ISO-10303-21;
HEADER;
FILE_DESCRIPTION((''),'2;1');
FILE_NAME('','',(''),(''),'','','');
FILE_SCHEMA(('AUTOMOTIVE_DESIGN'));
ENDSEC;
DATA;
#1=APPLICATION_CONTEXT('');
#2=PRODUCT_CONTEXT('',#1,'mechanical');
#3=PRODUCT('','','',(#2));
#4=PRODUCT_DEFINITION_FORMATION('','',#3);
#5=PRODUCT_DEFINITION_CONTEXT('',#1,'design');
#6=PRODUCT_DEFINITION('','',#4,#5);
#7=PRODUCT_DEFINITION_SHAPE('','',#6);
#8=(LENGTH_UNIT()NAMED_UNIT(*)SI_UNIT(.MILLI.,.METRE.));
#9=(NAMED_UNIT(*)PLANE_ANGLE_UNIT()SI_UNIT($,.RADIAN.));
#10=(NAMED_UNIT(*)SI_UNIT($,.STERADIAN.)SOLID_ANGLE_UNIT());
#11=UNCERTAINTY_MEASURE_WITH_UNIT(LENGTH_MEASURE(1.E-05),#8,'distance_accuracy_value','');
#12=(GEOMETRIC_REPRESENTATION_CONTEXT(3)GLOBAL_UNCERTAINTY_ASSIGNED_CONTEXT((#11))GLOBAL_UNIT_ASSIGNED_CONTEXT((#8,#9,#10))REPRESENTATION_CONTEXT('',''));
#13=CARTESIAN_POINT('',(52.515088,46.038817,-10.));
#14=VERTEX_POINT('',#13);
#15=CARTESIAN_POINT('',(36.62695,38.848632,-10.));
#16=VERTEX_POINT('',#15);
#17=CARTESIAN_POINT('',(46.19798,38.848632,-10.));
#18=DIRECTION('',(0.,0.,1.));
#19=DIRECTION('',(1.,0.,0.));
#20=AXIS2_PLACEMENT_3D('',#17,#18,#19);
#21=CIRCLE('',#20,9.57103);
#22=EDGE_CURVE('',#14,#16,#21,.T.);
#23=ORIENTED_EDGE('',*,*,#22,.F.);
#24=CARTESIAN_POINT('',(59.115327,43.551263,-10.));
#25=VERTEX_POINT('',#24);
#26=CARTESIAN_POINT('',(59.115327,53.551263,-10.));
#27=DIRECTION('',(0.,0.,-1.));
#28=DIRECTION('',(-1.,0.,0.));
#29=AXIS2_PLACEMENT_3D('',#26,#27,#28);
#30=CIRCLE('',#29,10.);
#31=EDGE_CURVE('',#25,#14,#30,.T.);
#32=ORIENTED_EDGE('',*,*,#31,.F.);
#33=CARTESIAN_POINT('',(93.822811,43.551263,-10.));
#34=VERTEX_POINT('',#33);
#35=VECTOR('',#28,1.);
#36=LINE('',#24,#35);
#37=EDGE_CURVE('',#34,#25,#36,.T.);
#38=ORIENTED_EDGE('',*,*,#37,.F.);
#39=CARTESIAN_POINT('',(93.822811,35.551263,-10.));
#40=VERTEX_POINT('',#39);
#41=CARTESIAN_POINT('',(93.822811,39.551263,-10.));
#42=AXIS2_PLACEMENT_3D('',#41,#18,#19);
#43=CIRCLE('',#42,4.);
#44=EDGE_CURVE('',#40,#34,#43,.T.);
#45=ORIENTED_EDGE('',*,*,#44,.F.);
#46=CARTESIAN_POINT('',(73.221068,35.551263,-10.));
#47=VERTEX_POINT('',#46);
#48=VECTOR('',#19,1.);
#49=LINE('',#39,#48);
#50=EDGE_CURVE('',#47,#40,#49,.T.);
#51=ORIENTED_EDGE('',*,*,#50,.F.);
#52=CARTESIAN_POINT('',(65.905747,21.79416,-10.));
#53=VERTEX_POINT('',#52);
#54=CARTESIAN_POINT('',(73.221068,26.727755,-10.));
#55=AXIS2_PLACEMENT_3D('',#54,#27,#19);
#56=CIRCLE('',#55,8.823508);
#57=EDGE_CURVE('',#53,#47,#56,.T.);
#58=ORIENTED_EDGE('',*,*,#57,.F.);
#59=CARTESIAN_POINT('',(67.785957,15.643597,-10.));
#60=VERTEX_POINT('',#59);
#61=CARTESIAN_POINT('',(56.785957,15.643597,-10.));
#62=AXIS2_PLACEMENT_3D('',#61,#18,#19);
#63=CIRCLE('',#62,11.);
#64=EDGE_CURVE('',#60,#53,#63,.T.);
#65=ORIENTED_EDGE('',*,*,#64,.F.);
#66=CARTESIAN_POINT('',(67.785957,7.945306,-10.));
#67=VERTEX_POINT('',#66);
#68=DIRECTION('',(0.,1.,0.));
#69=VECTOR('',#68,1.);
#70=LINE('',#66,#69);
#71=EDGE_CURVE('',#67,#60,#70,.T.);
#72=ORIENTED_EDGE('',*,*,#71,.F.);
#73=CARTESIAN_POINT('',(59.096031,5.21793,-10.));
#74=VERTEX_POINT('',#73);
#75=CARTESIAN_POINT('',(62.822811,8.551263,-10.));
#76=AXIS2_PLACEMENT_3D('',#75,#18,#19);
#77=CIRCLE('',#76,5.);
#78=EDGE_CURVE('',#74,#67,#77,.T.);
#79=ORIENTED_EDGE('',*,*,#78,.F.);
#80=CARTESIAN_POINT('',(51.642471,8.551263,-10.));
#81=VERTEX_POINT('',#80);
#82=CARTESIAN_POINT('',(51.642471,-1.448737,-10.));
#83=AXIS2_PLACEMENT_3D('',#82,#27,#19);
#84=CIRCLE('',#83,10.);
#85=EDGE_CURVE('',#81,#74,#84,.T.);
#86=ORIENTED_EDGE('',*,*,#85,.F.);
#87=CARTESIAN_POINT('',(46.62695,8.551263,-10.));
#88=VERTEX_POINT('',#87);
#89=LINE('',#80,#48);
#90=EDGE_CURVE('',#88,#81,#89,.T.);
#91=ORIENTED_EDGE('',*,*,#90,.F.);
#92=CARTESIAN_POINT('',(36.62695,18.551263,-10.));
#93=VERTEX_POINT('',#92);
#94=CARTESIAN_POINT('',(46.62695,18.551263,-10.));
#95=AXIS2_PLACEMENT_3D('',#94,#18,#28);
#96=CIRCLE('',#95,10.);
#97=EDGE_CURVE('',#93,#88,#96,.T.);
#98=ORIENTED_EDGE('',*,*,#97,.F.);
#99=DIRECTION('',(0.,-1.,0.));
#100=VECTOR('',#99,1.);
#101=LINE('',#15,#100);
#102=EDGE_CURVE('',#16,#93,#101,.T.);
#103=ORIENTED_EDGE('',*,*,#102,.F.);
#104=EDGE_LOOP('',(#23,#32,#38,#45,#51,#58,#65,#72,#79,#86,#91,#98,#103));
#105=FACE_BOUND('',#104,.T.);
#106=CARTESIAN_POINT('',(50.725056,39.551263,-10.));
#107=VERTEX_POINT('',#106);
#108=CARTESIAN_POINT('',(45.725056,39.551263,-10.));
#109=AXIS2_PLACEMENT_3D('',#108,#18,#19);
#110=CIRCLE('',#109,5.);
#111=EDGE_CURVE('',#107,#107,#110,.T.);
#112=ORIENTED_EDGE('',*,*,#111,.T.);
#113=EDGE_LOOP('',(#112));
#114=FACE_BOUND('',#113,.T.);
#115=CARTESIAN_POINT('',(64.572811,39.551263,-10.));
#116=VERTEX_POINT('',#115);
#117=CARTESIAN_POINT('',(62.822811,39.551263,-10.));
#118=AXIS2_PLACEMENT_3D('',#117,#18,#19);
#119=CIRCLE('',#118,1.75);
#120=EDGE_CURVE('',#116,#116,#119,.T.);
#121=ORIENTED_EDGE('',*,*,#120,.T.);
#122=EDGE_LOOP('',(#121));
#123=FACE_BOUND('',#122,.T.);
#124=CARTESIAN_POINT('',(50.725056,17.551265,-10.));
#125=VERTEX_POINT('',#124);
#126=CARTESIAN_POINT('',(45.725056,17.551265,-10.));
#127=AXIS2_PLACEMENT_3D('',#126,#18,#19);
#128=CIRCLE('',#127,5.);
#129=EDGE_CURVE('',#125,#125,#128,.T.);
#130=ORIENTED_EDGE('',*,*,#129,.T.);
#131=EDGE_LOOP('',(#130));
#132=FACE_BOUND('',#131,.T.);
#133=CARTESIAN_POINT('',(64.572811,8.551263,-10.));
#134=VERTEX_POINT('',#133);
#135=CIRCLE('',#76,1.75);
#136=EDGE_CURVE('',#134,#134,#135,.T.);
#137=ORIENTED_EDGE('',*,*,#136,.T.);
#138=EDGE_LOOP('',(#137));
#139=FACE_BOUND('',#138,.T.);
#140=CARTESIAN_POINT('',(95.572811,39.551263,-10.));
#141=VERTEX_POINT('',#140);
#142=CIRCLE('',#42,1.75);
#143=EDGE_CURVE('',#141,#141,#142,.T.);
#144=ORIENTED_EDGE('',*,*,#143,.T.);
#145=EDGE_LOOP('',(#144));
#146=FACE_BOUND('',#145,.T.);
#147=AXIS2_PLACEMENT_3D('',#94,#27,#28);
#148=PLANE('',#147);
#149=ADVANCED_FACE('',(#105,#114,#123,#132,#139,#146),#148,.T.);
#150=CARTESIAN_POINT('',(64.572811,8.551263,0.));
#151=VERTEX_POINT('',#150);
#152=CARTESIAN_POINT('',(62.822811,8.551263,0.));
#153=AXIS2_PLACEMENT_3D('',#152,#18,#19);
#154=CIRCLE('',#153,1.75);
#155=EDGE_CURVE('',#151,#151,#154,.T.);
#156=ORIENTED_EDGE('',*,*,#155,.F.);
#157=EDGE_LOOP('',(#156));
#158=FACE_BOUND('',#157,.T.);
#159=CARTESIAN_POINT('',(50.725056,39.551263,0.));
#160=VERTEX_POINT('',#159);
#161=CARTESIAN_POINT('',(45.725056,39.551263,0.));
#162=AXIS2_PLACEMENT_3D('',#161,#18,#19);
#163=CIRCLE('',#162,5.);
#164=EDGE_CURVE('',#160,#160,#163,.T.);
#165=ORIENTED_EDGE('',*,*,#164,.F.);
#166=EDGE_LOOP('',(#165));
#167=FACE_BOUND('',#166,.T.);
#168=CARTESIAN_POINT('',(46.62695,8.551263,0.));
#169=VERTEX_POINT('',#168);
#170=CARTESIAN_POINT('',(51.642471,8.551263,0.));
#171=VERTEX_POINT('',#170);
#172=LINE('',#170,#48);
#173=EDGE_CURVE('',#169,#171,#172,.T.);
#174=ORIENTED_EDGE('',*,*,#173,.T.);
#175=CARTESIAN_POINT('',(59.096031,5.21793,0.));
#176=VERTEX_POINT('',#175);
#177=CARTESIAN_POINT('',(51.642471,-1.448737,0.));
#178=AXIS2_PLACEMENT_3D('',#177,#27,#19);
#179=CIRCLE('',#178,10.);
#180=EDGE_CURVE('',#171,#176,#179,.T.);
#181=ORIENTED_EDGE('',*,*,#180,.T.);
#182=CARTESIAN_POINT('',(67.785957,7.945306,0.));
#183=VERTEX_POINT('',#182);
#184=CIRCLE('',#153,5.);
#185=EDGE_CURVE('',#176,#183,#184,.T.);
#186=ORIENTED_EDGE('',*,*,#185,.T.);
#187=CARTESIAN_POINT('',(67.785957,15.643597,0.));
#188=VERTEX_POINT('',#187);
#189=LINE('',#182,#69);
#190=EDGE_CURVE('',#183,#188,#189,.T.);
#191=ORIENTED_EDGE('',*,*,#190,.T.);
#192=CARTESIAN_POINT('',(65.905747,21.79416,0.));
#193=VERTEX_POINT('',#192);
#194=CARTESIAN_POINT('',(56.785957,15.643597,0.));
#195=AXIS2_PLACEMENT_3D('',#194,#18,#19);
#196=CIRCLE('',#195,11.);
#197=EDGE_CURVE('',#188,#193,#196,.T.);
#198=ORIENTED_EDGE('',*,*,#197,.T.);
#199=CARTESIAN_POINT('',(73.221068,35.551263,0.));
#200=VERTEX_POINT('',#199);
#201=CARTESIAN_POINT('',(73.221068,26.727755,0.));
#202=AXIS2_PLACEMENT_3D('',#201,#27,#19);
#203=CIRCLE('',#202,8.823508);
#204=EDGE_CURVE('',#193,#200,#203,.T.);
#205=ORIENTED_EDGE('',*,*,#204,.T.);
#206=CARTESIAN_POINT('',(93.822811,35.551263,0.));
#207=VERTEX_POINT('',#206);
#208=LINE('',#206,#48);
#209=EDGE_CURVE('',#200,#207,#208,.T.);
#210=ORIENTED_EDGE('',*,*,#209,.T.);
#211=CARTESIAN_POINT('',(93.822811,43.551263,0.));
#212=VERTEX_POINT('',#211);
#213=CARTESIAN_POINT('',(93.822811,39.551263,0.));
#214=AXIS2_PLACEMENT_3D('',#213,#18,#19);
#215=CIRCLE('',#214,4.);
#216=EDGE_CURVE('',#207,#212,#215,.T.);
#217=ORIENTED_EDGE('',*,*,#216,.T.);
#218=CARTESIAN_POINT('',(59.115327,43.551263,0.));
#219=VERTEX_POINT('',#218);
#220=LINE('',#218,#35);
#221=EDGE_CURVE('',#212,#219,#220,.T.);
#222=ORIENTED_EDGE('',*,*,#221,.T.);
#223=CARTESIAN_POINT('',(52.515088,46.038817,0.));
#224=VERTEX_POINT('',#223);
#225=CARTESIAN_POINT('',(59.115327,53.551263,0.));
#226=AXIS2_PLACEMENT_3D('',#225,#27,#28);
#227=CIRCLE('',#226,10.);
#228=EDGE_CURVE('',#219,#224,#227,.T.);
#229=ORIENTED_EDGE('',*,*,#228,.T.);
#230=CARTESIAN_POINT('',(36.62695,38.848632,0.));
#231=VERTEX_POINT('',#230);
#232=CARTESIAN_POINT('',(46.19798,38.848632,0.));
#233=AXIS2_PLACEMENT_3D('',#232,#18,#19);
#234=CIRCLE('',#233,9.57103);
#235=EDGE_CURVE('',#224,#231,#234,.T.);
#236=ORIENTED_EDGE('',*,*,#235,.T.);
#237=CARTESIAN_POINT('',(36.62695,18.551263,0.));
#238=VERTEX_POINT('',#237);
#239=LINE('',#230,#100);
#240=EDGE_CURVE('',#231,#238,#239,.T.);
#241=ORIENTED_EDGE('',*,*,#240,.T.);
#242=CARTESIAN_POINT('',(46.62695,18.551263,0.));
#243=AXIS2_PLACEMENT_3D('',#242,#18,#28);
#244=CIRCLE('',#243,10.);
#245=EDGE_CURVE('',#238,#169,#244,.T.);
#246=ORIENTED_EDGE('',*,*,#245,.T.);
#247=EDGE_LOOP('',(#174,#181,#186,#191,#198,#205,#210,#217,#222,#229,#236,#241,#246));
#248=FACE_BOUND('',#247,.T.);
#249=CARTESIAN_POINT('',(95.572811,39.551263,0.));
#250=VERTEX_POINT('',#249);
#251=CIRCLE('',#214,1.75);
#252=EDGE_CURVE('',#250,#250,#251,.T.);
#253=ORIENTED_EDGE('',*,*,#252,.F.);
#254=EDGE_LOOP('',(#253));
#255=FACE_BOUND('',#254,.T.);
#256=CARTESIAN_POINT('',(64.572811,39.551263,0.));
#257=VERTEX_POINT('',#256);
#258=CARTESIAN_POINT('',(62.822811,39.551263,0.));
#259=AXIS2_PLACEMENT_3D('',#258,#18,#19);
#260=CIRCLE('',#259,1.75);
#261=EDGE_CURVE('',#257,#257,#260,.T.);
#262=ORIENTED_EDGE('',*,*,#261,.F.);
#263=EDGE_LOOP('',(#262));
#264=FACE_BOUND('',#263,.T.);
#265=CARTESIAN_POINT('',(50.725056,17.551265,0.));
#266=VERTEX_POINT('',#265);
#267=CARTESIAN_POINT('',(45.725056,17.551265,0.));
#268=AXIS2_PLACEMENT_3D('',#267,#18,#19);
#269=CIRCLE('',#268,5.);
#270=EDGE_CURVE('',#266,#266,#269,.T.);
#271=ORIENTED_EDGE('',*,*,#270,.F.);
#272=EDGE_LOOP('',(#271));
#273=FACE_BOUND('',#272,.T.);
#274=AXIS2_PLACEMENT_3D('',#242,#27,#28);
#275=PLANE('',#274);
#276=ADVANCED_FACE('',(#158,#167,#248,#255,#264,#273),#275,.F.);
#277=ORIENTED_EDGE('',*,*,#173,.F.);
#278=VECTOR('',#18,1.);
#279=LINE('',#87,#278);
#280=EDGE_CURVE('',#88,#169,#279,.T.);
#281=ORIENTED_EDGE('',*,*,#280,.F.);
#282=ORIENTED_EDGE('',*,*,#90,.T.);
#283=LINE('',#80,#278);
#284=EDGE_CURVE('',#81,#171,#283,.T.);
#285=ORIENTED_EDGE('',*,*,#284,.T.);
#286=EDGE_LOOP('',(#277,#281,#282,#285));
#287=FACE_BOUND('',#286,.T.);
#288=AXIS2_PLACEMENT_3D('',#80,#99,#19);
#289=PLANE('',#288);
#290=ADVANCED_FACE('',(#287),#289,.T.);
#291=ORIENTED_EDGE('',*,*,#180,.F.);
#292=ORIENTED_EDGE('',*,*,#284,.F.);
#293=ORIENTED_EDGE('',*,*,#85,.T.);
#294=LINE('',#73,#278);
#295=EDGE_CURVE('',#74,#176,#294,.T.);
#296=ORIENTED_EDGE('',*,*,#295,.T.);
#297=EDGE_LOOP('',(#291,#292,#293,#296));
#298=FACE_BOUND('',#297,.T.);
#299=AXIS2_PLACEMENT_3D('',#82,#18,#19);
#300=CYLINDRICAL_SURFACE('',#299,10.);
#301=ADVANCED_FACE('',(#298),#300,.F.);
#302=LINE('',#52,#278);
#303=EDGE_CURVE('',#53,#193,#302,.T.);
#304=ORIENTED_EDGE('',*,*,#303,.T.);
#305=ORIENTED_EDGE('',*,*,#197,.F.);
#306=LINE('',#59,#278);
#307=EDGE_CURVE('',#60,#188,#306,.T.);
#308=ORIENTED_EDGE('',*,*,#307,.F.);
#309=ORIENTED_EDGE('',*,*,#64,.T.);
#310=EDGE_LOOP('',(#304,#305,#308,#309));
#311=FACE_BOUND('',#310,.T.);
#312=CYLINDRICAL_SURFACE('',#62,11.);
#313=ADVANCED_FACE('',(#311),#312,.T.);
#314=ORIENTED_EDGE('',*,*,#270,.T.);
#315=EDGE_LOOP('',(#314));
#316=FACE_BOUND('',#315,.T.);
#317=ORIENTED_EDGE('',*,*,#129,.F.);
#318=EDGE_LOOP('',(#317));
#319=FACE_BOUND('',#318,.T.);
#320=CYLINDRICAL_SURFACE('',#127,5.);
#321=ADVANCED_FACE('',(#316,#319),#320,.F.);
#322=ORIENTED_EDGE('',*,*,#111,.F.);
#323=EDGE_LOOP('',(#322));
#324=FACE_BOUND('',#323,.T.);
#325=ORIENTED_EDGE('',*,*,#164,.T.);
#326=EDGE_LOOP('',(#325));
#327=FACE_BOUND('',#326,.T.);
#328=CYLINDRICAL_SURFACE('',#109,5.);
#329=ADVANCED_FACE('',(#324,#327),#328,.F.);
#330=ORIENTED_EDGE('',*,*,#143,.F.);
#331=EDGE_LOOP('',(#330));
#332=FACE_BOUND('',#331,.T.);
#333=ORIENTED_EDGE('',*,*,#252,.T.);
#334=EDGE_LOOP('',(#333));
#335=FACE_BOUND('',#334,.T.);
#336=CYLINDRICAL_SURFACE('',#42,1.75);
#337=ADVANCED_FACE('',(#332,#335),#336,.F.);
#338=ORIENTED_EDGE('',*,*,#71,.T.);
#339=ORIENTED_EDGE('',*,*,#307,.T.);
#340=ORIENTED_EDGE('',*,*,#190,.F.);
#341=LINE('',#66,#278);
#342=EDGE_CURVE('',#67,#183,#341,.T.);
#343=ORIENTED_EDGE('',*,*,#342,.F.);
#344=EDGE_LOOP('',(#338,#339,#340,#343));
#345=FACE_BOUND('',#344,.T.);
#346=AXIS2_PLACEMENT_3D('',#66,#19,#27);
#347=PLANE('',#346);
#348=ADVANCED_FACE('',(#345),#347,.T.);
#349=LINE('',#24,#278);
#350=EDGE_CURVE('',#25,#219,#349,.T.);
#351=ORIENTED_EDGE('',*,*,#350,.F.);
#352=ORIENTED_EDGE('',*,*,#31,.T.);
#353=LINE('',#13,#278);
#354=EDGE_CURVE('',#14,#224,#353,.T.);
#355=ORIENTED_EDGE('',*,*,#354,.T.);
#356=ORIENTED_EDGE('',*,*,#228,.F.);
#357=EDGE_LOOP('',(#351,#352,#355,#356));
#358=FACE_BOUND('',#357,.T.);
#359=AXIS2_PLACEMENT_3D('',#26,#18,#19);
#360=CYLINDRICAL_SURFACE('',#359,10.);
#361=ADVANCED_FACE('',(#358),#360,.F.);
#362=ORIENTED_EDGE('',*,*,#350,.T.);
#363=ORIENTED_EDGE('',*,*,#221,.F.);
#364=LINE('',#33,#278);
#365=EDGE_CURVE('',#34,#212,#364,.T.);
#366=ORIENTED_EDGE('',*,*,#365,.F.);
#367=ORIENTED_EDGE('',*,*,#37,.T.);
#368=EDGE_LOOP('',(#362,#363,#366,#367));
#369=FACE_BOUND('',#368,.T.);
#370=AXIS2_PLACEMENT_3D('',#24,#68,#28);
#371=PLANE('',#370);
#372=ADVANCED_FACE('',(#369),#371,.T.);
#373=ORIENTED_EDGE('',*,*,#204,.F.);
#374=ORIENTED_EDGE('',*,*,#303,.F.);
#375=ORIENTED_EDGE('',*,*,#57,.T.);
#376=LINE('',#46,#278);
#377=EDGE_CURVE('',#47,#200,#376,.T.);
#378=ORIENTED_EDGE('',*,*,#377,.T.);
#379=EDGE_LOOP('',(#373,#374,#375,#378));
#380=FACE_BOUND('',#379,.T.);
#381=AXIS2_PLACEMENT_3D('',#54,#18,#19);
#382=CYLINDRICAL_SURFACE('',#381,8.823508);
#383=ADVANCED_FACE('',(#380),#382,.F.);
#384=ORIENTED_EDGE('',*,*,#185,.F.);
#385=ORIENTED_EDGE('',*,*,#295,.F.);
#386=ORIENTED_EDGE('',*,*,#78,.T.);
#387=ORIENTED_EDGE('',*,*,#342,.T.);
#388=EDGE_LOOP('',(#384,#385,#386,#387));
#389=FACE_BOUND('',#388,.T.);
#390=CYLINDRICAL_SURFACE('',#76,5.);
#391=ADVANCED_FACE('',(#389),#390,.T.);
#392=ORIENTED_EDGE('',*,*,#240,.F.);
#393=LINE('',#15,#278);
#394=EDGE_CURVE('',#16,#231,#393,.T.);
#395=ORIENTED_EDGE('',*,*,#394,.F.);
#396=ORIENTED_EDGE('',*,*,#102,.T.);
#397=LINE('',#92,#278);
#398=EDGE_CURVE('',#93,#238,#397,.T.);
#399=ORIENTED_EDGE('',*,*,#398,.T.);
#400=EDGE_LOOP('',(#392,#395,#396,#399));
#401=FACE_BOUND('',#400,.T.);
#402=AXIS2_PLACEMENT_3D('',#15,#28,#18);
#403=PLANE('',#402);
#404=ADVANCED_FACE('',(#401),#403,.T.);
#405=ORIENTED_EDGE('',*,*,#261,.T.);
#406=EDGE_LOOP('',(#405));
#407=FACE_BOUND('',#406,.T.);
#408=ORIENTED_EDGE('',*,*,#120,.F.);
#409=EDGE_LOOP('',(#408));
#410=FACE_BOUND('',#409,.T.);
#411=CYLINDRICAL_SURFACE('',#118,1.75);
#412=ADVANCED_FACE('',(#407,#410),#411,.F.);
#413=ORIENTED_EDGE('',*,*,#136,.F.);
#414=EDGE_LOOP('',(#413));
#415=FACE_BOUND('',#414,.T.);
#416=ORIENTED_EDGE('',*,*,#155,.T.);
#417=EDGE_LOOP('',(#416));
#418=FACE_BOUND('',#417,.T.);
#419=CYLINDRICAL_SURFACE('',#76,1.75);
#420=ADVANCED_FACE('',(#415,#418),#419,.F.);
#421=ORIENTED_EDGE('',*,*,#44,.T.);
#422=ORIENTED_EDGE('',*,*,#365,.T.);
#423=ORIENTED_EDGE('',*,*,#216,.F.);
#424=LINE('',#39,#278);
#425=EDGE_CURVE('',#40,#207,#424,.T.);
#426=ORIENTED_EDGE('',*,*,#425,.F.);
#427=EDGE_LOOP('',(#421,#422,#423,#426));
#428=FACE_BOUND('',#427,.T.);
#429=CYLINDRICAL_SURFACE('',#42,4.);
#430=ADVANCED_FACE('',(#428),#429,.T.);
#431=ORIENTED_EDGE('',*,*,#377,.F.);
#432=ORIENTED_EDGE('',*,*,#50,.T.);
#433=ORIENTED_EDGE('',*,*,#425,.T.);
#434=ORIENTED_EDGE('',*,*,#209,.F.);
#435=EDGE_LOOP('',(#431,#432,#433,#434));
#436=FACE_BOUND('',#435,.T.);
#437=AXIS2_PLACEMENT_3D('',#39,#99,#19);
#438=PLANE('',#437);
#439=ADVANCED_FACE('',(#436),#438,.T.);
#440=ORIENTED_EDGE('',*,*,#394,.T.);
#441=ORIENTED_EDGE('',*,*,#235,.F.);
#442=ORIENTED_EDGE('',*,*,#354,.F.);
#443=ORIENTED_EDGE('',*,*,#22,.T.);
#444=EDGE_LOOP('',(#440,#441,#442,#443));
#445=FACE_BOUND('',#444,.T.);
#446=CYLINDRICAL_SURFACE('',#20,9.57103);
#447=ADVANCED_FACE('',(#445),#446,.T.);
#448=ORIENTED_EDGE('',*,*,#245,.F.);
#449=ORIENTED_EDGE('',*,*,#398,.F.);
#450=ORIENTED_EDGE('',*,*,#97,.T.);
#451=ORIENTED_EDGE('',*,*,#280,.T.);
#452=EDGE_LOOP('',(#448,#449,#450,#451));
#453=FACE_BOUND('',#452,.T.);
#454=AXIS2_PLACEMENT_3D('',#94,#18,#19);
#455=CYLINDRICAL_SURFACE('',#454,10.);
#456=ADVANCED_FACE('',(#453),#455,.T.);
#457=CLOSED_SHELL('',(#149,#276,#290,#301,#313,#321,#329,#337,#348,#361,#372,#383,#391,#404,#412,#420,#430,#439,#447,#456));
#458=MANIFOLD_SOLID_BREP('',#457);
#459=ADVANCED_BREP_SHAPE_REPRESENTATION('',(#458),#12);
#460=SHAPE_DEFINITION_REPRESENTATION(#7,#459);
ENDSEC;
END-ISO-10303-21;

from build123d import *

# Parameters (mm, degrees)
SKETCH1_R           = 1.75
SKETCH1_R_2         = 5
BOSS_EXTRUDE1_DEPTH = 10


with BuildPart() as part:
    # Sketch1 → Boss-Extrude1 (new body)
    with BuildSketch(Plane.XY):
        with BuildLine():
            Line((59.115327383, 43.551262968), (93.822811009, 43.551262968))
            ThreePointArc((93.822811009, 43.551262968), (97.822811009, 39.551262968), (93.822811009, 35.551262968))
            Line((93.822811009, 35.551262968), (73.221068218, 35.551262968))
            ThreePointArc((73.221068218, 35.551262968), (65.430500205, 30.870379763), (65.905746743, 21.794160382))
            ThreePointArc((65.905746743, 21.794160382), (67.305407589, 18.859363547), (67.785956814, 15.64359686))
            Line((67.785956814, 15.64359686), (67.785956814, 7.945306105))
            ThreePointArc((67.785956814, 7.945306105), (67.117243875, 5.990433735), (65.715264602, 4.47281814))
            ThreePointArc((65.715264602, 4.47281814), (62.263505272, 3.582643734), (59.096031047, 5.217929635))
            ThreePointArc((59.096031047, 5.217929635), (55.724954026, 7.67997226), (51.642471122, 8.551262968))
            Line((51.642471122, 8.551262968), (46.626949913, 8.551262968))
            ThreePointArc((46.626949913, 8.551262968), (39.555882101, 11.480195156), (36.626949913, 18.551262968))
            Line((36.626949913, 18.551262968), (36.626949913, 38.848632096))
            ThreePointArc((36.626949913, 38.848632096), (42.251881835, 47.568318218), (52.515088487, 46.03881686))
            ThreePointArc((52.515088487, 46.03881686), (55.588605185, 44.19379373), (59.115327383, 43.551262968))
        make_face()
        with Locations((93.822811009, 39.551262968)):
            Circle(SKETCH1_R, mode=Mode.SUBTRACT)
        with Locations((62.822811009, 39.551262968)):
            Circle(SKETCH1_R, mode=Mode.SUBTRACT)
        with Locations((62.822811009, 8.551262968)):
            Circle(SKETCH1_R, mode=Mode.SUBTRACT)
        with Locations((45.725055781, 39.551262968)):
            Circle(SKETCH1_R_2, mode=Mode.SUBTRACT)
        with Locations((45.725055781, 17.551264875)):
            Circle(SKETCH1_R_2, mode=Mode.SUBTRACT)
    extrude(amount=-BOSS_EXTRUDE1_DEPTH)


solid = part.part
